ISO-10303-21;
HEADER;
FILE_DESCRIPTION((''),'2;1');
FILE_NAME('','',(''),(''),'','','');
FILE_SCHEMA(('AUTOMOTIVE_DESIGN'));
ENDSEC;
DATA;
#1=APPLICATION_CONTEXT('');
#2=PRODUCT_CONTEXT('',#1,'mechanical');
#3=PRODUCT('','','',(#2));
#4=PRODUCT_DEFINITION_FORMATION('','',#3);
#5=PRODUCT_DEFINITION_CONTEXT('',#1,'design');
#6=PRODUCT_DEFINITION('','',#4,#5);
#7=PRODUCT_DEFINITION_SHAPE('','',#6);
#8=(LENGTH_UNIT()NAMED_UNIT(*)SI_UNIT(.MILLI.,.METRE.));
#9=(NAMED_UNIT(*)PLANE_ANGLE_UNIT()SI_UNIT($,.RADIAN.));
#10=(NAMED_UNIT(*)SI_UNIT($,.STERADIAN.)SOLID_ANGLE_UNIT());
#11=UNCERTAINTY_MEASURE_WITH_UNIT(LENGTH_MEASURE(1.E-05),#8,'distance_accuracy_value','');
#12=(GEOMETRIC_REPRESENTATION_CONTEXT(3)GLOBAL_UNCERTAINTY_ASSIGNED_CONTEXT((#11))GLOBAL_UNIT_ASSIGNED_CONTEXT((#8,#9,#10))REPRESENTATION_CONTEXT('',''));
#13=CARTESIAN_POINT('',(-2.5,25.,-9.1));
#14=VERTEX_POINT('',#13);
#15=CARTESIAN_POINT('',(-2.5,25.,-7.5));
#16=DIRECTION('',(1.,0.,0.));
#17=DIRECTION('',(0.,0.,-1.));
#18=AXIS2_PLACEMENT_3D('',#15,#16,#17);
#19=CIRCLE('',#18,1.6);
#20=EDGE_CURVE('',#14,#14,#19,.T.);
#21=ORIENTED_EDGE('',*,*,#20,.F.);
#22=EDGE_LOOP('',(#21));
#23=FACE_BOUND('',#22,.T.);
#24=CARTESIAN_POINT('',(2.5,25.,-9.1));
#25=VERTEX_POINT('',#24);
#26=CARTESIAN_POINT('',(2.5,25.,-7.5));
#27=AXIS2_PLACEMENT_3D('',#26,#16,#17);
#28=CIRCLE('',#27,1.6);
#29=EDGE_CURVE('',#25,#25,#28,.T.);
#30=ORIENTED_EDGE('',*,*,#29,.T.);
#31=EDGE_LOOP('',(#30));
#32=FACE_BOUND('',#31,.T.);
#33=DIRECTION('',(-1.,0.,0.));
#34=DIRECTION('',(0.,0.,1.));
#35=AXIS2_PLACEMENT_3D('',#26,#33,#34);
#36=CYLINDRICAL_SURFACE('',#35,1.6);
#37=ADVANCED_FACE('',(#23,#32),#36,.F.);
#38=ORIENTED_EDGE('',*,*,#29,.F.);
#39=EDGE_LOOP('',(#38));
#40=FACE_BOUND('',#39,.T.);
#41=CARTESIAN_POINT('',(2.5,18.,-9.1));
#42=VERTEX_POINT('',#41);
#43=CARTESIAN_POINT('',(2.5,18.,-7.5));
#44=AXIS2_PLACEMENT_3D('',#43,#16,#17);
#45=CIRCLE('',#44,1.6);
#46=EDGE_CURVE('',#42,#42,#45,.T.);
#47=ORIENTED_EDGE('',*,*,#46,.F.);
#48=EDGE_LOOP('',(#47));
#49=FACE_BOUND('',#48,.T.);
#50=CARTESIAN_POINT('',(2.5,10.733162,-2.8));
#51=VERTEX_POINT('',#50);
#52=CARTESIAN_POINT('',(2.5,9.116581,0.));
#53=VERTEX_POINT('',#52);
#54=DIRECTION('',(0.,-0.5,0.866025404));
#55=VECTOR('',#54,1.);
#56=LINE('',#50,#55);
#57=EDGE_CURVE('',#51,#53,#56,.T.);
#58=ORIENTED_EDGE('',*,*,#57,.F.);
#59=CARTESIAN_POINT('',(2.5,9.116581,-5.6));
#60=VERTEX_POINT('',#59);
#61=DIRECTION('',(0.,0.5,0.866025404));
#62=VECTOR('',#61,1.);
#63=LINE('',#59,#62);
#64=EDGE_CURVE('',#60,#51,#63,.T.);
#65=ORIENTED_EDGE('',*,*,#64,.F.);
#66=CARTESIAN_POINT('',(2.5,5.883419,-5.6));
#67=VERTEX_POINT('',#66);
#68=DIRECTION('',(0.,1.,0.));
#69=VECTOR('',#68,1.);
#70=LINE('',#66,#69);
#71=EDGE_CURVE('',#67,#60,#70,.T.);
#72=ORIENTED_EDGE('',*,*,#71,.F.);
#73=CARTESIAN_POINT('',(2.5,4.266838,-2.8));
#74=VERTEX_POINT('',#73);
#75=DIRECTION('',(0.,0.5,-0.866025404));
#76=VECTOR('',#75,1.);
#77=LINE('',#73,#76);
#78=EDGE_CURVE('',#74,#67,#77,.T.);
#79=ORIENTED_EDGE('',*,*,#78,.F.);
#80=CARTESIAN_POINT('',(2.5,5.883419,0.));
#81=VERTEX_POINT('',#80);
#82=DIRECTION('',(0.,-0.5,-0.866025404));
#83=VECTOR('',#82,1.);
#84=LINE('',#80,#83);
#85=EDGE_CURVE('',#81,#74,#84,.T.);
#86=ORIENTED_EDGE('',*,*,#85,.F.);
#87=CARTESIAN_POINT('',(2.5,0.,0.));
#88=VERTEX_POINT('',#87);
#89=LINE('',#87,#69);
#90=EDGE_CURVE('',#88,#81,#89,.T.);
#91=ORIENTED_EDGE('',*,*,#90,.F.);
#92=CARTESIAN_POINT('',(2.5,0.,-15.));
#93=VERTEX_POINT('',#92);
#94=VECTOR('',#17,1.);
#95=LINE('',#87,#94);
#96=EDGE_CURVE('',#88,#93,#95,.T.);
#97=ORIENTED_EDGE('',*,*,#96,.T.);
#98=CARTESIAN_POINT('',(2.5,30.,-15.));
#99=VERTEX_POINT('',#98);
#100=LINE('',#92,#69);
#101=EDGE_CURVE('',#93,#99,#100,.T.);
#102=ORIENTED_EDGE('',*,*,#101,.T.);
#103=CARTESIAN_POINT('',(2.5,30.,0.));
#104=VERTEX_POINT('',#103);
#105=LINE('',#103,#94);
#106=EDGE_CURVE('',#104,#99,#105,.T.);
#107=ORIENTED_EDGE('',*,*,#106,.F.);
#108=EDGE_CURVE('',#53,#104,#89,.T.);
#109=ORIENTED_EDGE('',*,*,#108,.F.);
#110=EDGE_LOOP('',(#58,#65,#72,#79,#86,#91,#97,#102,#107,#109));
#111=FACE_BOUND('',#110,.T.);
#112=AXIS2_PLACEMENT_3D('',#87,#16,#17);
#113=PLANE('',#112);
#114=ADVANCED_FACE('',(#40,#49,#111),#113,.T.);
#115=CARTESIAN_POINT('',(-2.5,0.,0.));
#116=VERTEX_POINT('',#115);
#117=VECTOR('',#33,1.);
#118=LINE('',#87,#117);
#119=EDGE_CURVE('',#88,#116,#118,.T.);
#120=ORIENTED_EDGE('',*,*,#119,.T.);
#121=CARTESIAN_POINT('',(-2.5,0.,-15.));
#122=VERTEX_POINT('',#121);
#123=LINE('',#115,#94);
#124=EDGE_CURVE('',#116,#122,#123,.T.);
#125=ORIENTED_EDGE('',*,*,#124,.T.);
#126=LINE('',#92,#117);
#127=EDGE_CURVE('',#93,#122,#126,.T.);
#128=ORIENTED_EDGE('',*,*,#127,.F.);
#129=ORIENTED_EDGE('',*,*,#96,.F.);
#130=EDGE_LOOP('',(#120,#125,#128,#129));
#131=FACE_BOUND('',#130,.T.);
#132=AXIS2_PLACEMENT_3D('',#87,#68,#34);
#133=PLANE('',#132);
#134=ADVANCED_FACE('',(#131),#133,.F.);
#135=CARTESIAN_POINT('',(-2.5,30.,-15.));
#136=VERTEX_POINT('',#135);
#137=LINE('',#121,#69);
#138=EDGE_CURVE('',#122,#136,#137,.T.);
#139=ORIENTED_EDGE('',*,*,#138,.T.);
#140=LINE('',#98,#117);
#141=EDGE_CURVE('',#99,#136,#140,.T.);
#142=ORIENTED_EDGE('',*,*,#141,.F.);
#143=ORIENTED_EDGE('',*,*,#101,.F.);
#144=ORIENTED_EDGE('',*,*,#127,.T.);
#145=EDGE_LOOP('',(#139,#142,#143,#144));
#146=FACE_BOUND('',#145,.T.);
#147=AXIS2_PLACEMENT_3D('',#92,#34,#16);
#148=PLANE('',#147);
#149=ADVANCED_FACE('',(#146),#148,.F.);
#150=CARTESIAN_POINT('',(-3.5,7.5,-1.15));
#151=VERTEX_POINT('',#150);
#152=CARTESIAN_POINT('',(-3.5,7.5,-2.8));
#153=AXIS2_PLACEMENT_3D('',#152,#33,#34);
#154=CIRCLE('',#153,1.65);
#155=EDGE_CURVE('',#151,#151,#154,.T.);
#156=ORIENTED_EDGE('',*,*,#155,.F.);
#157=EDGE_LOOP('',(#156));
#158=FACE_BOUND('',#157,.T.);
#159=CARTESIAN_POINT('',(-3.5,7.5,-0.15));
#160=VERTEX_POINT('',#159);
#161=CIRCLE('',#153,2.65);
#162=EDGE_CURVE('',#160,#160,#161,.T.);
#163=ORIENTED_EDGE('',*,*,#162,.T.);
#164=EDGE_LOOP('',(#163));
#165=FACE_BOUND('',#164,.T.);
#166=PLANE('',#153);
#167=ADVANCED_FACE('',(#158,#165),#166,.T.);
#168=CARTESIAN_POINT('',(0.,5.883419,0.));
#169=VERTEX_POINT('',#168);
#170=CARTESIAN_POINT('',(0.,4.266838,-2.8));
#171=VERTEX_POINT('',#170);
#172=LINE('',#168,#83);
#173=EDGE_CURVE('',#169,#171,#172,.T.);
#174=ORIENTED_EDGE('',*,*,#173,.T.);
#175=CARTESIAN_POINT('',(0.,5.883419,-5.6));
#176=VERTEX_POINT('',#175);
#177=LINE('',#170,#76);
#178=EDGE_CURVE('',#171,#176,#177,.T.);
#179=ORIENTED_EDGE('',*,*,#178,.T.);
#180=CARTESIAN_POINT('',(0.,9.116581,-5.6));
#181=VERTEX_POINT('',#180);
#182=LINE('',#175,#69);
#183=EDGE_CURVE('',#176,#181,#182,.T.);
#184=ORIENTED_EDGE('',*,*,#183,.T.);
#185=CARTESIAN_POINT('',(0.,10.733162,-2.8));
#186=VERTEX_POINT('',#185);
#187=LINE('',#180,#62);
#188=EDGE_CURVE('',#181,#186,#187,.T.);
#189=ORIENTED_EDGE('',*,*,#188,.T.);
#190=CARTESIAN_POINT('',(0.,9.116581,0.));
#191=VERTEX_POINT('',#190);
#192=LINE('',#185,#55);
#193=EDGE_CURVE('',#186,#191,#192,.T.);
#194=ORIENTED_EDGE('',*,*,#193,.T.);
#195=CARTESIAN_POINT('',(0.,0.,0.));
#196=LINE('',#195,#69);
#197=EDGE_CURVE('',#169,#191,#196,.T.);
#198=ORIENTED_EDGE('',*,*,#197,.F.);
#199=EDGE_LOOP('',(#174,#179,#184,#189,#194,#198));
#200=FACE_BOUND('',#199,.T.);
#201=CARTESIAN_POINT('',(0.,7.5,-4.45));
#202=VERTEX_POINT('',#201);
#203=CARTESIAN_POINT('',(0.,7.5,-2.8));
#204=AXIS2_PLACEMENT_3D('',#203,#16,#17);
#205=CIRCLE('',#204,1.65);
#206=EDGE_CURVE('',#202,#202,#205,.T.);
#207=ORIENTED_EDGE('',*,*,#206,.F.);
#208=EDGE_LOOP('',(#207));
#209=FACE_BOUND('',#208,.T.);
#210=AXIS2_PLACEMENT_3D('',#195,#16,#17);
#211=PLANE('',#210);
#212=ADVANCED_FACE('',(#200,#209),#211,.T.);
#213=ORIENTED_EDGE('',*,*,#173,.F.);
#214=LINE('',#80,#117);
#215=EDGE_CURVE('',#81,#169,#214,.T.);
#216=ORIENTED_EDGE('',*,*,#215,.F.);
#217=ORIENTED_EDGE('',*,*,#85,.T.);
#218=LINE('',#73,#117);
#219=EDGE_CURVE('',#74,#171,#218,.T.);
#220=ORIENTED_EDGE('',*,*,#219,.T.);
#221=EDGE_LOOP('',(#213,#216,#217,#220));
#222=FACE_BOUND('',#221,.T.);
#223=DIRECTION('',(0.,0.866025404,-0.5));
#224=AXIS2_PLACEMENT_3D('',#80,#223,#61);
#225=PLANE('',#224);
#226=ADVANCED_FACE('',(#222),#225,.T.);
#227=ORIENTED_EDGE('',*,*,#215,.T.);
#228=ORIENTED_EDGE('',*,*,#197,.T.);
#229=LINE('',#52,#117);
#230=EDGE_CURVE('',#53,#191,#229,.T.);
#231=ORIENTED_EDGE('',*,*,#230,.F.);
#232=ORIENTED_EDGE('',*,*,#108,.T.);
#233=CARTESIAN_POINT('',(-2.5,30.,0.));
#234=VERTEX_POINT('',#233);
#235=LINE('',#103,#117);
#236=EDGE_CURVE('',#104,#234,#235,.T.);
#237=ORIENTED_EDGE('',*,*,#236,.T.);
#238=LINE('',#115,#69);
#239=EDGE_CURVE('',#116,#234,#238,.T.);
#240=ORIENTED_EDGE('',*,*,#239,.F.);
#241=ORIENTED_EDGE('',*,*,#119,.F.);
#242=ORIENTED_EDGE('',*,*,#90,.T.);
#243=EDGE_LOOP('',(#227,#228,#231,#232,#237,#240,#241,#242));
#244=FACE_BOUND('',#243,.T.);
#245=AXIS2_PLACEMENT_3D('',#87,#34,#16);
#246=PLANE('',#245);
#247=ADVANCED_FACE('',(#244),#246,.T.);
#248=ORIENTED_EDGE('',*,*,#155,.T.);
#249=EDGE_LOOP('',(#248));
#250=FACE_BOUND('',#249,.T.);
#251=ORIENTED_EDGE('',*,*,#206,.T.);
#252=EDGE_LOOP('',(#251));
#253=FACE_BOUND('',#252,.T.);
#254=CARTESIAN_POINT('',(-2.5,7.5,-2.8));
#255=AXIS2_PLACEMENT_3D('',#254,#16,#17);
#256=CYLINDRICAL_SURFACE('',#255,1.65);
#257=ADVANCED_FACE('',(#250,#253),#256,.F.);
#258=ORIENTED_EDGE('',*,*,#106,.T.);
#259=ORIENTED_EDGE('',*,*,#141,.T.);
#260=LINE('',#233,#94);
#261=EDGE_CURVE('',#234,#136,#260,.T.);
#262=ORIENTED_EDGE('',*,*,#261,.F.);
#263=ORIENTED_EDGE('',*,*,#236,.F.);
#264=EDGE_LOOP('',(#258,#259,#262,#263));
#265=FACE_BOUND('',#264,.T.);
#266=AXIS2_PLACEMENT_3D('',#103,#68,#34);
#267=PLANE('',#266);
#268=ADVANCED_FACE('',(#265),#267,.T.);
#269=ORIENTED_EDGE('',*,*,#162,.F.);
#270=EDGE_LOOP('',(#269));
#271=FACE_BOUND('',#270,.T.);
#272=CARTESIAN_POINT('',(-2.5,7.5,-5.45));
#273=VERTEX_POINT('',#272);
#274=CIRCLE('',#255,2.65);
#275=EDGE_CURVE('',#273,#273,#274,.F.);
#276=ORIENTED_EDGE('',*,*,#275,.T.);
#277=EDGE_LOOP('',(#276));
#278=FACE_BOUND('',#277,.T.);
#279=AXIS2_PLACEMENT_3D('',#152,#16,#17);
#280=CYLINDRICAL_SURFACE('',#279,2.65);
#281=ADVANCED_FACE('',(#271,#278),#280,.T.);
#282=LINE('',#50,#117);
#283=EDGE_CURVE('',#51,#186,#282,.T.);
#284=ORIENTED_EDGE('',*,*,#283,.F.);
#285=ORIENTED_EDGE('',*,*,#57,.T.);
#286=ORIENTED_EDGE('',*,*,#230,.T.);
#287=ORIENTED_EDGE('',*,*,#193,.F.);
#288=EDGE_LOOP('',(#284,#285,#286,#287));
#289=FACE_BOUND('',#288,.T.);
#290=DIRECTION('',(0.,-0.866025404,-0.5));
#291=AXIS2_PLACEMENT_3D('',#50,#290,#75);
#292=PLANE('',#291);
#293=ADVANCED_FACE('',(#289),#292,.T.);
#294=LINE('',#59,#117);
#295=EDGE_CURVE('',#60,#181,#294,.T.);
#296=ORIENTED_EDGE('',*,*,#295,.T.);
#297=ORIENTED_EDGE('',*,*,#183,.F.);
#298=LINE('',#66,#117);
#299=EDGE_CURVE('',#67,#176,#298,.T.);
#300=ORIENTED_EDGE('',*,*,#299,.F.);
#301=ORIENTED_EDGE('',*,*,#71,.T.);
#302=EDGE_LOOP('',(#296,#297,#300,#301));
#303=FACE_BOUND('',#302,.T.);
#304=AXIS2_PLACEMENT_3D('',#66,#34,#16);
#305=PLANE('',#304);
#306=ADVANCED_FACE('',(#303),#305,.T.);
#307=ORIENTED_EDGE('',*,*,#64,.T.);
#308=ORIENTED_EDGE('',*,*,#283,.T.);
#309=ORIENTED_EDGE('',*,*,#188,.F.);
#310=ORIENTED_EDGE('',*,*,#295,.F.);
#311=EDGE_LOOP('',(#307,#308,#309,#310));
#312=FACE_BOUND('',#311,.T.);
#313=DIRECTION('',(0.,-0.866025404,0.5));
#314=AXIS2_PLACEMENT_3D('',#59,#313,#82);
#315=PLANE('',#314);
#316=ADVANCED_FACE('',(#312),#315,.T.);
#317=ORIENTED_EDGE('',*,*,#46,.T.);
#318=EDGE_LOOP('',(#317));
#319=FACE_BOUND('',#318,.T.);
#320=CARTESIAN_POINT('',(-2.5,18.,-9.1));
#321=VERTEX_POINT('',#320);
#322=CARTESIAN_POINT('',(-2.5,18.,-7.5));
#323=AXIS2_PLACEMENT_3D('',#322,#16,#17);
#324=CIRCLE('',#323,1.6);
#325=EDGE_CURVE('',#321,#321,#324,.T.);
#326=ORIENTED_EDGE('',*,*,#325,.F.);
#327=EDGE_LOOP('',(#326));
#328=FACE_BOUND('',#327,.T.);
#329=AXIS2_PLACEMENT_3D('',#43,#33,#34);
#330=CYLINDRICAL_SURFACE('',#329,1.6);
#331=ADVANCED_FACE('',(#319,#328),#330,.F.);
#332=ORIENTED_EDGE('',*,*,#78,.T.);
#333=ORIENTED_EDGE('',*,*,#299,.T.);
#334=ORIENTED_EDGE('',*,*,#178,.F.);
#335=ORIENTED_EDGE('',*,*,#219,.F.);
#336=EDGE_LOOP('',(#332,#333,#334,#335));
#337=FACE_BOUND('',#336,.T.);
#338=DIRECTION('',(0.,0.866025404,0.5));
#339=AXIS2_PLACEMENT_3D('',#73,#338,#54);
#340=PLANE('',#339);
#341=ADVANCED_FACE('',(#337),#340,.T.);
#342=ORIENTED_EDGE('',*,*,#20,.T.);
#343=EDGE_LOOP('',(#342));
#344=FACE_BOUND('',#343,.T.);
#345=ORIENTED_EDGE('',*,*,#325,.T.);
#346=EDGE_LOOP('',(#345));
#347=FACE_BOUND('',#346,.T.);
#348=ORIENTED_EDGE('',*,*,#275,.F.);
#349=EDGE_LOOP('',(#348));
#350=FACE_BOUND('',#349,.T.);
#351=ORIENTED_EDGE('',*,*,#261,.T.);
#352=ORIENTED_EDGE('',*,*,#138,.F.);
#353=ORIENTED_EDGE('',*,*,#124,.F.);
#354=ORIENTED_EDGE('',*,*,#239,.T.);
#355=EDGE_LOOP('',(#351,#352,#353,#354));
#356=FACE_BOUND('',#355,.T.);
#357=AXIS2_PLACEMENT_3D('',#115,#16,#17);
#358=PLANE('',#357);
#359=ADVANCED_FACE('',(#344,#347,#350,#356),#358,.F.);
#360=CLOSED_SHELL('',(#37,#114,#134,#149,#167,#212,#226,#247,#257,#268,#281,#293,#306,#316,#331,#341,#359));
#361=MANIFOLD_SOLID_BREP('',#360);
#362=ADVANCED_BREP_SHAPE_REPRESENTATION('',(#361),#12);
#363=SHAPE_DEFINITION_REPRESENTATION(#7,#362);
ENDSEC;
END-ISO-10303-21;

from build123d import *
from build123d.topology import SkipClean

# Parameters (mm, degrees)
SKETCH1_R           = 1.6
BOSS_EXTRUDE1_DEPTH = 2.5
BOSS_EXTRUDE2_START = -2.5
SKETCH1_3_R         = 1.6
SKETCH1_3_R_2       = 1.65
BOSS_EXTRUDE2_DEPTH = 2.5
BOSS_EXTRUDE3_START = 1
SKETCH4_R           = 2.65
SKETCH4_R_2         = 1.65
BOSS_EXTRUDE3_DEPTH = 1


with BuildPart() as part:
    # Sketch1 → Boss-Extrude1 (new body)
    with BuildSketch(Plane(origin=(0, 0, 0), x_dir=(0, 0, -1), z_dir=(1, 0, 0))):
        Polygon((0, 5.883419246), (0, 0), (15, 0), (15, 30), (0, 30), (0, 9.116580754), (2.8, 10.733161507), (5.6, 9.116580754), (5.6, 5.883419246), (2.8, 4.266838493), align=None)
        with Locations((7.5, 18)):
            Circle(SKETCH1_R, mode=Mode.SUBTRACT)
        with Locations((7.5, 25)):
            Circle(SKETCH1_R, mode=Mode.SUBTRACT)
    extrude(amount=BOSS_EXTRUDE1_DEPTH)

    # Sketch1<3> → Boss-Extrude2 (add)
    # profile 1 of 7: a face of its own
    with SkipClean():  # the faces are left unmerged after this step: merging them gives an invalid solid
        with BuildSketch(Plane(origin=(0, 0, 0), x_dir=(0, 0, -1), z_dir=(1, 0, 0)).offset(BOSS_EXTRUDE2_START)):
            Polygon((0, 5.883419246), (0, 0), (15, 0), (15, 30), (0, 30), (0, 9.116580754), (2.8, 10.733161507), (5.6, 9.116580754), (5.6, 5.883419246), (2.8, 4.266838493), align=None)
            with Locations((7.5, 7.5)):
                Circle(SKETCH1_3_R, mode=Mode.SUBTRACT)
            with BuildLine():
                ThreePointArc((6.2510004, 19), (6.970094046, 21.509701851), (9.1, 20))
                ThreePointArc((9.1, 20), (9.009701851, 19.470094046), (8.7489996, 19))
                ThreePointArc((8.7489996, 19), (9.009701851, 18.529905954), (9.1, 18))
                ThreePointArc((9.1, 18), (6.970094046, 16.490298149), (6.2510004, 19))
            make_face(mode=Mode.SUBTRACT)
            with Locations((7.5, 25)):
                Circle(SKETCH1_3_R, mode=Mode.SUBTRACT)
        # profile 2 of 7: a face of its own
        with BuildSketch(Plane(origin=(0, 0, 0), x_dir=(0, 0, -1), z_dir=(1, 0, 0)).offset(BOSS_EXTRUDE2_START)):
            Polygon((0, 5.883419246), (0, 0), (15, 0), (15, 30), (0, 30), (0, 9.116580754), (2.8, 10.733161507), (5.6, 9.116580754), (5.6, 5.883419246), (2.8, 4.266838493), align=None)
            with Locations((7.5, 7.5)):
                Circle(SKETCH1_3_R, mode=Mode.SUBTRACT)
            with BuildLine():
                ThreePointArc((6.2510004, 19), (6.970094046, 21.509701851), (9.1, 20))
                ThreePointArc((9.1, 20), (9.009701851, 19.470094046), (8.7489996, 19))
                ThreePointArc((8.7489996, 19), (9.009701851, 18.529905954), (9.1, 18))
                ThreePointArc((9.1, 18), (6.970094046, 16.490298149), (6.2510004, 19))
            make_face(mode=Mode.SUBTRACT)
            with Locations((7.5, 25)):
                Circle(SKETCH1_3_R, mode=Mode.SUBTRACT)
        # profile 3 of 7: a face of its own
        with BuildSketch(Plane(origin=(0, 0, 0), x_dir=(0, 0, -1), z_dir=(1, 0, 0)).offset(BOSS_EXTRUDE2_START)):
            Polygon((0, 9.116580754), (0, 5.883419246), (2.8, 4.266838493), (5.6, 5.883419246), (5.6, 9.116580754), (2.8, 10.733161507), align=None)
            with Locations((2.8, 7.5)):
                Circle(SKETCH1_3_R_2, mode=Mode.SUBTRACT)
        # profile 4 of 7: a face of its own
        with BuildSketch(Plane(origin=(0, 0, 0), x_dir=(0, 0, -1), z_dir=(1, 0, 0)).offset(BOSS_EXTRUDE2_START)):
            with Locations((7.5, 7.5)):
                Circle(SKETCH1_3_R)
        # profile 5 of 7: a face of its own
        with BuildSketch(Plane(origin=(0, 0, 0), x_dir=(0, 0, -1), z_dir=(1, 0, 0)).offset(BOSS_EXTRUDE2_START)):
            with Locations((7.5, 7.5)):
                Circle(SKETCH1_3_R)
        # profile 6 of 7: a face of its own
        with BuildSketch(Plane(origin=(0, 0, 0), x_dir=(0, 0, -1), z_dir=(1, 0, 0)).offset(BOSS_EXTRUDE2_START)):
            with BuildLine():
                ThreePointArc((8.7489996, 19), (9.009701851, 19.470094046), (9.1, 20))
                ThreePointArc((9.1, 20), (6.970094046, 21.509701851), (6.2510004, 19))
                ThreePointArc((6.2510004, 19), (7.5, 19.6), (8.7489996, 19))
            make_face()
        # profile 7 of 7: a face of its own
        with BuildSketch(Plane(origin=(0, 0, 0), x_dir=(0, 0, -1), z_dir=(1, 0, 0)).offset(BOSS_EXTRUDE2_START)):
            with BuildLine():
                ThreePointArc((8.7489996, 19), (9.009701851, 19.470094046), (9.1, 20))
                ThreePointArc((9.1, 20), (6.970094046, 21.509701851), (6.2510004, 19))
                ThreePointArc((6.2510004, 19), (7.5, 19.6), (8.7489996, 19))
            make_face()
        extrude(amount=BOSS_EXTRUDE2_DEPTH)

    # Sketch4 → Boss-Extrude3 (add)
    with BuildSketch(Plane.ZY.offset(2.5).offset(BOSS_EXTRUDE3_START)):
        with Locations(Location((-2.8, 7.5, 0), (0, 0, 180))):
            Circle(SKETCH4_R)
        with Locations(Location((-2.8, 7.5, 0), (0, 0, 180))):
            Circle(SKETCH4_R_2, mode=Mode.SUBTRACT)
    extrude(amount=-BOSS_EXTRUDE3_DEPTH)


solid = part.part
